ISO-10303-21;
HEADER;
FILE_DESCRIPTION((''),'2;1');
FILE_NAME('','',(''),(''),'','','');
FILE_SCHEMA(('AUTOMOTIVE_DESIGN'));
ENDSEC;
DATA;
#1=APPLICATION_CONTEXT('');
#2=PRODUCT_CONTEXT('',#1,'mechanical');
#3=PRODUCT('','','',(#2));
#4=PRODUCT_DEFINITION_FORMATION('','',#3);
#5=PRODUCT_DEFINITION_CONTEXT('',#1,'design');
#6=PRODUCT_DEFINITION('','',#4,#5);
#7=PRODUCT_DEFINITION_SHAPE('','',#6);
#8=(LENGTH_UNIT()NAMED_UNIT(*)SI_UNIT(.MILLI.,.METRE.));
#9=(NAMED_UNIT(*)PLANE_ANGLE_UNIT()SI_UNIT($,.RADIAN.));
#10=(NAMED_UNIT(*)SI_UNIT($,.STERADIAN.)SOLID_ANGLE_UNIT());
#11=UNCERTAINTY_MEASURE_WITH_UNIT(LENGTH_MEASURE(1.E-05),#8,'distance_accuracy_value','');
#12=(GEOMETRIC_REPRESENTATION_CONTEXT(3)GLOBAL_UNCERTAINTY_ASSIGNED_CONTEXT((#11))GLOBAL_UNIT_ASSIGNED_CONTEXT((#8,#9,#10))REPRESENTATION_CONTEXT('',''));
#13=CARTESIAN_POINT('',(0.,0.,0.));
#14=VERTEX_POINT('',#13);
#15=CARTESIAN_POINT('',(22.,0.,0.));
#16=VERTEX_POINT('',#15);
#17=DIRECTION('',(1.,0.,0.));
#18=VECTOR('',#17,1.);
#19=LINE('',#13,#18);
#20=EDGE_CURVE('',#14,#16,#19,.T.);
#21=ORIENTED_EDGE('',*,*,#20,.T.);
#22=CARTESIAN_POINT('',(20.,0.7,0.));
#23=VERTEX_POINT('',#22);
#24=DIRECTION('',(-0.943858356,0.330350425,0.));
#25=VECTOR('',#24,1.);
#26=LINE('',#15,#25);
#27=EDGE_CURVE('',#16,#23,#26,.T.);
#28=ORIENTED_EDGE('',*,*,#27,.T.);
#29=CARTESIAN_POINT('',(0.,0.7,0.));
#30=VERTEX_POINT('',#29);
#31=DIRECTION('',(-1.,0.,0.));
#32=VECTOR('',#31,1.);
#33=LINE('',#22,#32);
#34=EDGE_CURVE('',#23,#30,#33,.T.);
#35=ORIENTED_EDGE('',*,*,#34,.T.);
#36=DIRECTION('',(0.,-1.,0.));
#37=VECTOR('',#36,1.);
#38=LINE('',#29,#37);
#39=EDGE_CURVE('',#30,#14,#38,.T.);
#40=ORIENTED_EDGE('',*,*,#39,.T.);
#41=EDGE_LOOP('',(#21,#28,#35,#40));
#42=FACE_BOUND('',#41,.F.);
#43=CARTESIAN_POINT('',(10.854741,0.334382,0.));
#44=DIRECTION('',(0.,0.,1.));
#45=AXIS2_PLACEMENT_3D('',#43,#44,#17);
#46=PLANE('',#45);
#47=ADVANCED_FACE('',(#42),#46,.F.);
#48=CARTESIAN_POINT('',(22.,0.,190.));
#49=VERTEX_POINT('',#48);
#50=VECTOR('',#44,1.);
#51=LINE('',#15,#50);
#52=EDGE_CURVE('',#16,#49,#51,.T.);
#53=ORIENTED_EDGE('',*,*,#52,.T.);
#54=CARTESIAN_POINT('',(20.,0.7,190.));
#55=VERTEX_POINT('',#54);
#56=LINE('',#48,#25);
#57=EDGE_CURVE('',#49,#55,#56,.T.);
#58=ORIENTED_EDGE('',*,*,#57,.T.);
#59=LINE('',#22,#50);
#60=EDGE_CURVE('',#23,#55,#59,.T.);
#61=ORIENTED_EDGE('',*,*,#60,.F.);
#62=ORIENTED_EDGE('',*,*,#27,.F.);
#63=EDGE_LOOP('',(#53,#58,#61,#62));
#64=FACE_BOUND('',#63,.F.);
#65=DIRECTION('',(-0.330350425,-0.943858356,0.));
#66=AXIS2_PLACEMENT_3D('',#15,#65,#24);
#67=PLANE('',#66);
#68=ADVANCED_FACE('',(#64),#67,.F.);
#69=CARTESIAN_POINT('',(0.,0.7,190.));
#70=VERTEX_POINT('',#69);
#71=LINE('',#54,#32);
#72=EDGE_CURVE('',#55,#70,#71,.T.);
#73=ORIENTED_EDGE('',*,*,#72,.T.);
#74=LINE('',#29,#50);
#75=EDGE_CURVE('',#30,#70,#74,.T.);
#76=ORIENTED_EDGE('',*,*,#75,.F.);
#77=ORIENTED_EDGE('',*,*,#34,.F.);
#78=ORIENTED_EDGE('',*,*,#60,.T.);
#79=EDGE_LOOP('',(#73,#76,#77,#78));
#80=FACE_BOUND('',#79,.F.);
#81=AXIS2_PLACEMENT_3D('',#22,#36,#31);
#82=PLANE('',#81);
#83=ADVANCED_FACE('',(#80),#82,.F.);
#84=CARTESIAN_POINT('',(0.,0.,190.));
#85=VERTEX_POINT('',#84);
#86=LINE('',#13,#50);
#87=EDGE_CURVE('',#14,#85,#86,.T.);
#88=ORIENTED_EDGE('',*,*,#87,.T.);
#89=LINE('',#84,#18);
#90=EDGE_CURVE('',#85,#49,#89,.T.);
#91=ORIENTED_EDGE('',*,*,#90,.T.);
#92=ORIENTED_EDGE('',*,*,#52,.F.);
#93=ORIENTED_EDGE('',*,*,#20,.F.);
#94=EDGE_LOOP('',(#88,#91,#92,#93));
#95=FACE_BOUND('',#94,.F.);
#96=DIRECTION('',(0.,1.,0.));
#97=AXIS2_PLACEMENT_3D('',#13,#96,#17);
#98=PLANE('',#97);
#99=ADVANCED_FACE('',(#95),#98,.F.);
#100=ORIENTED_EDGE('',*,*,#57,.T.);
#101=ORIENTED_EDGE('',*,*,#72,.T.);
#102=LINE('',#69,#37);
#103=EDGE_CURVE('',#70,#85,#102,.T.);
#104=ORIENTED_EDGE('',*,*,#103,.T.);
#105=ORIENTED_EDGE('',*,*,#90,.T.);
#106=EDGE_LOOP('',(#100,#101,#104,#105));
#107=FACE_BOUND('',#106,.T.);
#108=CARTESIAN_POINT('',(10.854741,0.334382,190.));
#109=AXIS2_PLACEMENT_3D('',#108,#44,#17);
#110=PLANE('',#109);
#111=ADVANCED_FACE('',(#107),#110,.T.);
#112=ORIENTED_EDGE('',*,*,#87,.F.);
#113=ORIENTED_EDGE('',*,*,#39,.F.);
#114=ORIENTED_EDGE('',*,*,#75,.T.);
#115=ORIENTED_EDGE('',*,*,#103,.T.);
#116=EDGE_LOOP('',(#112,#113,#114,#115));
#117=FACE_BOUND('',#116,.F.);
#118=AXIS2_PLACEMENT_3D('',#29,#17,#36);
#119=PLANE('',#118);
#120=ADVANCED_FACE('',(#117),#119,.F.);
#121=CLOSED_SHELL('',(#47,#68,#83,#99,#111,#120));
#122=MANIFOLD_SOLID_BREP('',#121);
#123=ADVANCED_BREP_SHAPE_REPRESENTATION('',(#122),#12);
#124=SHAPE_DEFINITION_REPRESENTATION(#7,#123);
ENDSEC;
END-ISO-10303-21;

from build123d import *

# Parameters (mm, degrees)
SALIENTE_EXTRUIR1_DEPTH = 190


with BuildPart() as part:
    # Croquis1 → Saliente-Extruir1 (new body)
    with BuildSketch(Plane.XY):
        Polygon((0, 0), (22, 0), (20, 0.7), (0, 0.7), align=None)
    extrude(amount=SALIENTE_EXTRUIR1_DEPTH)


solid = part.part
